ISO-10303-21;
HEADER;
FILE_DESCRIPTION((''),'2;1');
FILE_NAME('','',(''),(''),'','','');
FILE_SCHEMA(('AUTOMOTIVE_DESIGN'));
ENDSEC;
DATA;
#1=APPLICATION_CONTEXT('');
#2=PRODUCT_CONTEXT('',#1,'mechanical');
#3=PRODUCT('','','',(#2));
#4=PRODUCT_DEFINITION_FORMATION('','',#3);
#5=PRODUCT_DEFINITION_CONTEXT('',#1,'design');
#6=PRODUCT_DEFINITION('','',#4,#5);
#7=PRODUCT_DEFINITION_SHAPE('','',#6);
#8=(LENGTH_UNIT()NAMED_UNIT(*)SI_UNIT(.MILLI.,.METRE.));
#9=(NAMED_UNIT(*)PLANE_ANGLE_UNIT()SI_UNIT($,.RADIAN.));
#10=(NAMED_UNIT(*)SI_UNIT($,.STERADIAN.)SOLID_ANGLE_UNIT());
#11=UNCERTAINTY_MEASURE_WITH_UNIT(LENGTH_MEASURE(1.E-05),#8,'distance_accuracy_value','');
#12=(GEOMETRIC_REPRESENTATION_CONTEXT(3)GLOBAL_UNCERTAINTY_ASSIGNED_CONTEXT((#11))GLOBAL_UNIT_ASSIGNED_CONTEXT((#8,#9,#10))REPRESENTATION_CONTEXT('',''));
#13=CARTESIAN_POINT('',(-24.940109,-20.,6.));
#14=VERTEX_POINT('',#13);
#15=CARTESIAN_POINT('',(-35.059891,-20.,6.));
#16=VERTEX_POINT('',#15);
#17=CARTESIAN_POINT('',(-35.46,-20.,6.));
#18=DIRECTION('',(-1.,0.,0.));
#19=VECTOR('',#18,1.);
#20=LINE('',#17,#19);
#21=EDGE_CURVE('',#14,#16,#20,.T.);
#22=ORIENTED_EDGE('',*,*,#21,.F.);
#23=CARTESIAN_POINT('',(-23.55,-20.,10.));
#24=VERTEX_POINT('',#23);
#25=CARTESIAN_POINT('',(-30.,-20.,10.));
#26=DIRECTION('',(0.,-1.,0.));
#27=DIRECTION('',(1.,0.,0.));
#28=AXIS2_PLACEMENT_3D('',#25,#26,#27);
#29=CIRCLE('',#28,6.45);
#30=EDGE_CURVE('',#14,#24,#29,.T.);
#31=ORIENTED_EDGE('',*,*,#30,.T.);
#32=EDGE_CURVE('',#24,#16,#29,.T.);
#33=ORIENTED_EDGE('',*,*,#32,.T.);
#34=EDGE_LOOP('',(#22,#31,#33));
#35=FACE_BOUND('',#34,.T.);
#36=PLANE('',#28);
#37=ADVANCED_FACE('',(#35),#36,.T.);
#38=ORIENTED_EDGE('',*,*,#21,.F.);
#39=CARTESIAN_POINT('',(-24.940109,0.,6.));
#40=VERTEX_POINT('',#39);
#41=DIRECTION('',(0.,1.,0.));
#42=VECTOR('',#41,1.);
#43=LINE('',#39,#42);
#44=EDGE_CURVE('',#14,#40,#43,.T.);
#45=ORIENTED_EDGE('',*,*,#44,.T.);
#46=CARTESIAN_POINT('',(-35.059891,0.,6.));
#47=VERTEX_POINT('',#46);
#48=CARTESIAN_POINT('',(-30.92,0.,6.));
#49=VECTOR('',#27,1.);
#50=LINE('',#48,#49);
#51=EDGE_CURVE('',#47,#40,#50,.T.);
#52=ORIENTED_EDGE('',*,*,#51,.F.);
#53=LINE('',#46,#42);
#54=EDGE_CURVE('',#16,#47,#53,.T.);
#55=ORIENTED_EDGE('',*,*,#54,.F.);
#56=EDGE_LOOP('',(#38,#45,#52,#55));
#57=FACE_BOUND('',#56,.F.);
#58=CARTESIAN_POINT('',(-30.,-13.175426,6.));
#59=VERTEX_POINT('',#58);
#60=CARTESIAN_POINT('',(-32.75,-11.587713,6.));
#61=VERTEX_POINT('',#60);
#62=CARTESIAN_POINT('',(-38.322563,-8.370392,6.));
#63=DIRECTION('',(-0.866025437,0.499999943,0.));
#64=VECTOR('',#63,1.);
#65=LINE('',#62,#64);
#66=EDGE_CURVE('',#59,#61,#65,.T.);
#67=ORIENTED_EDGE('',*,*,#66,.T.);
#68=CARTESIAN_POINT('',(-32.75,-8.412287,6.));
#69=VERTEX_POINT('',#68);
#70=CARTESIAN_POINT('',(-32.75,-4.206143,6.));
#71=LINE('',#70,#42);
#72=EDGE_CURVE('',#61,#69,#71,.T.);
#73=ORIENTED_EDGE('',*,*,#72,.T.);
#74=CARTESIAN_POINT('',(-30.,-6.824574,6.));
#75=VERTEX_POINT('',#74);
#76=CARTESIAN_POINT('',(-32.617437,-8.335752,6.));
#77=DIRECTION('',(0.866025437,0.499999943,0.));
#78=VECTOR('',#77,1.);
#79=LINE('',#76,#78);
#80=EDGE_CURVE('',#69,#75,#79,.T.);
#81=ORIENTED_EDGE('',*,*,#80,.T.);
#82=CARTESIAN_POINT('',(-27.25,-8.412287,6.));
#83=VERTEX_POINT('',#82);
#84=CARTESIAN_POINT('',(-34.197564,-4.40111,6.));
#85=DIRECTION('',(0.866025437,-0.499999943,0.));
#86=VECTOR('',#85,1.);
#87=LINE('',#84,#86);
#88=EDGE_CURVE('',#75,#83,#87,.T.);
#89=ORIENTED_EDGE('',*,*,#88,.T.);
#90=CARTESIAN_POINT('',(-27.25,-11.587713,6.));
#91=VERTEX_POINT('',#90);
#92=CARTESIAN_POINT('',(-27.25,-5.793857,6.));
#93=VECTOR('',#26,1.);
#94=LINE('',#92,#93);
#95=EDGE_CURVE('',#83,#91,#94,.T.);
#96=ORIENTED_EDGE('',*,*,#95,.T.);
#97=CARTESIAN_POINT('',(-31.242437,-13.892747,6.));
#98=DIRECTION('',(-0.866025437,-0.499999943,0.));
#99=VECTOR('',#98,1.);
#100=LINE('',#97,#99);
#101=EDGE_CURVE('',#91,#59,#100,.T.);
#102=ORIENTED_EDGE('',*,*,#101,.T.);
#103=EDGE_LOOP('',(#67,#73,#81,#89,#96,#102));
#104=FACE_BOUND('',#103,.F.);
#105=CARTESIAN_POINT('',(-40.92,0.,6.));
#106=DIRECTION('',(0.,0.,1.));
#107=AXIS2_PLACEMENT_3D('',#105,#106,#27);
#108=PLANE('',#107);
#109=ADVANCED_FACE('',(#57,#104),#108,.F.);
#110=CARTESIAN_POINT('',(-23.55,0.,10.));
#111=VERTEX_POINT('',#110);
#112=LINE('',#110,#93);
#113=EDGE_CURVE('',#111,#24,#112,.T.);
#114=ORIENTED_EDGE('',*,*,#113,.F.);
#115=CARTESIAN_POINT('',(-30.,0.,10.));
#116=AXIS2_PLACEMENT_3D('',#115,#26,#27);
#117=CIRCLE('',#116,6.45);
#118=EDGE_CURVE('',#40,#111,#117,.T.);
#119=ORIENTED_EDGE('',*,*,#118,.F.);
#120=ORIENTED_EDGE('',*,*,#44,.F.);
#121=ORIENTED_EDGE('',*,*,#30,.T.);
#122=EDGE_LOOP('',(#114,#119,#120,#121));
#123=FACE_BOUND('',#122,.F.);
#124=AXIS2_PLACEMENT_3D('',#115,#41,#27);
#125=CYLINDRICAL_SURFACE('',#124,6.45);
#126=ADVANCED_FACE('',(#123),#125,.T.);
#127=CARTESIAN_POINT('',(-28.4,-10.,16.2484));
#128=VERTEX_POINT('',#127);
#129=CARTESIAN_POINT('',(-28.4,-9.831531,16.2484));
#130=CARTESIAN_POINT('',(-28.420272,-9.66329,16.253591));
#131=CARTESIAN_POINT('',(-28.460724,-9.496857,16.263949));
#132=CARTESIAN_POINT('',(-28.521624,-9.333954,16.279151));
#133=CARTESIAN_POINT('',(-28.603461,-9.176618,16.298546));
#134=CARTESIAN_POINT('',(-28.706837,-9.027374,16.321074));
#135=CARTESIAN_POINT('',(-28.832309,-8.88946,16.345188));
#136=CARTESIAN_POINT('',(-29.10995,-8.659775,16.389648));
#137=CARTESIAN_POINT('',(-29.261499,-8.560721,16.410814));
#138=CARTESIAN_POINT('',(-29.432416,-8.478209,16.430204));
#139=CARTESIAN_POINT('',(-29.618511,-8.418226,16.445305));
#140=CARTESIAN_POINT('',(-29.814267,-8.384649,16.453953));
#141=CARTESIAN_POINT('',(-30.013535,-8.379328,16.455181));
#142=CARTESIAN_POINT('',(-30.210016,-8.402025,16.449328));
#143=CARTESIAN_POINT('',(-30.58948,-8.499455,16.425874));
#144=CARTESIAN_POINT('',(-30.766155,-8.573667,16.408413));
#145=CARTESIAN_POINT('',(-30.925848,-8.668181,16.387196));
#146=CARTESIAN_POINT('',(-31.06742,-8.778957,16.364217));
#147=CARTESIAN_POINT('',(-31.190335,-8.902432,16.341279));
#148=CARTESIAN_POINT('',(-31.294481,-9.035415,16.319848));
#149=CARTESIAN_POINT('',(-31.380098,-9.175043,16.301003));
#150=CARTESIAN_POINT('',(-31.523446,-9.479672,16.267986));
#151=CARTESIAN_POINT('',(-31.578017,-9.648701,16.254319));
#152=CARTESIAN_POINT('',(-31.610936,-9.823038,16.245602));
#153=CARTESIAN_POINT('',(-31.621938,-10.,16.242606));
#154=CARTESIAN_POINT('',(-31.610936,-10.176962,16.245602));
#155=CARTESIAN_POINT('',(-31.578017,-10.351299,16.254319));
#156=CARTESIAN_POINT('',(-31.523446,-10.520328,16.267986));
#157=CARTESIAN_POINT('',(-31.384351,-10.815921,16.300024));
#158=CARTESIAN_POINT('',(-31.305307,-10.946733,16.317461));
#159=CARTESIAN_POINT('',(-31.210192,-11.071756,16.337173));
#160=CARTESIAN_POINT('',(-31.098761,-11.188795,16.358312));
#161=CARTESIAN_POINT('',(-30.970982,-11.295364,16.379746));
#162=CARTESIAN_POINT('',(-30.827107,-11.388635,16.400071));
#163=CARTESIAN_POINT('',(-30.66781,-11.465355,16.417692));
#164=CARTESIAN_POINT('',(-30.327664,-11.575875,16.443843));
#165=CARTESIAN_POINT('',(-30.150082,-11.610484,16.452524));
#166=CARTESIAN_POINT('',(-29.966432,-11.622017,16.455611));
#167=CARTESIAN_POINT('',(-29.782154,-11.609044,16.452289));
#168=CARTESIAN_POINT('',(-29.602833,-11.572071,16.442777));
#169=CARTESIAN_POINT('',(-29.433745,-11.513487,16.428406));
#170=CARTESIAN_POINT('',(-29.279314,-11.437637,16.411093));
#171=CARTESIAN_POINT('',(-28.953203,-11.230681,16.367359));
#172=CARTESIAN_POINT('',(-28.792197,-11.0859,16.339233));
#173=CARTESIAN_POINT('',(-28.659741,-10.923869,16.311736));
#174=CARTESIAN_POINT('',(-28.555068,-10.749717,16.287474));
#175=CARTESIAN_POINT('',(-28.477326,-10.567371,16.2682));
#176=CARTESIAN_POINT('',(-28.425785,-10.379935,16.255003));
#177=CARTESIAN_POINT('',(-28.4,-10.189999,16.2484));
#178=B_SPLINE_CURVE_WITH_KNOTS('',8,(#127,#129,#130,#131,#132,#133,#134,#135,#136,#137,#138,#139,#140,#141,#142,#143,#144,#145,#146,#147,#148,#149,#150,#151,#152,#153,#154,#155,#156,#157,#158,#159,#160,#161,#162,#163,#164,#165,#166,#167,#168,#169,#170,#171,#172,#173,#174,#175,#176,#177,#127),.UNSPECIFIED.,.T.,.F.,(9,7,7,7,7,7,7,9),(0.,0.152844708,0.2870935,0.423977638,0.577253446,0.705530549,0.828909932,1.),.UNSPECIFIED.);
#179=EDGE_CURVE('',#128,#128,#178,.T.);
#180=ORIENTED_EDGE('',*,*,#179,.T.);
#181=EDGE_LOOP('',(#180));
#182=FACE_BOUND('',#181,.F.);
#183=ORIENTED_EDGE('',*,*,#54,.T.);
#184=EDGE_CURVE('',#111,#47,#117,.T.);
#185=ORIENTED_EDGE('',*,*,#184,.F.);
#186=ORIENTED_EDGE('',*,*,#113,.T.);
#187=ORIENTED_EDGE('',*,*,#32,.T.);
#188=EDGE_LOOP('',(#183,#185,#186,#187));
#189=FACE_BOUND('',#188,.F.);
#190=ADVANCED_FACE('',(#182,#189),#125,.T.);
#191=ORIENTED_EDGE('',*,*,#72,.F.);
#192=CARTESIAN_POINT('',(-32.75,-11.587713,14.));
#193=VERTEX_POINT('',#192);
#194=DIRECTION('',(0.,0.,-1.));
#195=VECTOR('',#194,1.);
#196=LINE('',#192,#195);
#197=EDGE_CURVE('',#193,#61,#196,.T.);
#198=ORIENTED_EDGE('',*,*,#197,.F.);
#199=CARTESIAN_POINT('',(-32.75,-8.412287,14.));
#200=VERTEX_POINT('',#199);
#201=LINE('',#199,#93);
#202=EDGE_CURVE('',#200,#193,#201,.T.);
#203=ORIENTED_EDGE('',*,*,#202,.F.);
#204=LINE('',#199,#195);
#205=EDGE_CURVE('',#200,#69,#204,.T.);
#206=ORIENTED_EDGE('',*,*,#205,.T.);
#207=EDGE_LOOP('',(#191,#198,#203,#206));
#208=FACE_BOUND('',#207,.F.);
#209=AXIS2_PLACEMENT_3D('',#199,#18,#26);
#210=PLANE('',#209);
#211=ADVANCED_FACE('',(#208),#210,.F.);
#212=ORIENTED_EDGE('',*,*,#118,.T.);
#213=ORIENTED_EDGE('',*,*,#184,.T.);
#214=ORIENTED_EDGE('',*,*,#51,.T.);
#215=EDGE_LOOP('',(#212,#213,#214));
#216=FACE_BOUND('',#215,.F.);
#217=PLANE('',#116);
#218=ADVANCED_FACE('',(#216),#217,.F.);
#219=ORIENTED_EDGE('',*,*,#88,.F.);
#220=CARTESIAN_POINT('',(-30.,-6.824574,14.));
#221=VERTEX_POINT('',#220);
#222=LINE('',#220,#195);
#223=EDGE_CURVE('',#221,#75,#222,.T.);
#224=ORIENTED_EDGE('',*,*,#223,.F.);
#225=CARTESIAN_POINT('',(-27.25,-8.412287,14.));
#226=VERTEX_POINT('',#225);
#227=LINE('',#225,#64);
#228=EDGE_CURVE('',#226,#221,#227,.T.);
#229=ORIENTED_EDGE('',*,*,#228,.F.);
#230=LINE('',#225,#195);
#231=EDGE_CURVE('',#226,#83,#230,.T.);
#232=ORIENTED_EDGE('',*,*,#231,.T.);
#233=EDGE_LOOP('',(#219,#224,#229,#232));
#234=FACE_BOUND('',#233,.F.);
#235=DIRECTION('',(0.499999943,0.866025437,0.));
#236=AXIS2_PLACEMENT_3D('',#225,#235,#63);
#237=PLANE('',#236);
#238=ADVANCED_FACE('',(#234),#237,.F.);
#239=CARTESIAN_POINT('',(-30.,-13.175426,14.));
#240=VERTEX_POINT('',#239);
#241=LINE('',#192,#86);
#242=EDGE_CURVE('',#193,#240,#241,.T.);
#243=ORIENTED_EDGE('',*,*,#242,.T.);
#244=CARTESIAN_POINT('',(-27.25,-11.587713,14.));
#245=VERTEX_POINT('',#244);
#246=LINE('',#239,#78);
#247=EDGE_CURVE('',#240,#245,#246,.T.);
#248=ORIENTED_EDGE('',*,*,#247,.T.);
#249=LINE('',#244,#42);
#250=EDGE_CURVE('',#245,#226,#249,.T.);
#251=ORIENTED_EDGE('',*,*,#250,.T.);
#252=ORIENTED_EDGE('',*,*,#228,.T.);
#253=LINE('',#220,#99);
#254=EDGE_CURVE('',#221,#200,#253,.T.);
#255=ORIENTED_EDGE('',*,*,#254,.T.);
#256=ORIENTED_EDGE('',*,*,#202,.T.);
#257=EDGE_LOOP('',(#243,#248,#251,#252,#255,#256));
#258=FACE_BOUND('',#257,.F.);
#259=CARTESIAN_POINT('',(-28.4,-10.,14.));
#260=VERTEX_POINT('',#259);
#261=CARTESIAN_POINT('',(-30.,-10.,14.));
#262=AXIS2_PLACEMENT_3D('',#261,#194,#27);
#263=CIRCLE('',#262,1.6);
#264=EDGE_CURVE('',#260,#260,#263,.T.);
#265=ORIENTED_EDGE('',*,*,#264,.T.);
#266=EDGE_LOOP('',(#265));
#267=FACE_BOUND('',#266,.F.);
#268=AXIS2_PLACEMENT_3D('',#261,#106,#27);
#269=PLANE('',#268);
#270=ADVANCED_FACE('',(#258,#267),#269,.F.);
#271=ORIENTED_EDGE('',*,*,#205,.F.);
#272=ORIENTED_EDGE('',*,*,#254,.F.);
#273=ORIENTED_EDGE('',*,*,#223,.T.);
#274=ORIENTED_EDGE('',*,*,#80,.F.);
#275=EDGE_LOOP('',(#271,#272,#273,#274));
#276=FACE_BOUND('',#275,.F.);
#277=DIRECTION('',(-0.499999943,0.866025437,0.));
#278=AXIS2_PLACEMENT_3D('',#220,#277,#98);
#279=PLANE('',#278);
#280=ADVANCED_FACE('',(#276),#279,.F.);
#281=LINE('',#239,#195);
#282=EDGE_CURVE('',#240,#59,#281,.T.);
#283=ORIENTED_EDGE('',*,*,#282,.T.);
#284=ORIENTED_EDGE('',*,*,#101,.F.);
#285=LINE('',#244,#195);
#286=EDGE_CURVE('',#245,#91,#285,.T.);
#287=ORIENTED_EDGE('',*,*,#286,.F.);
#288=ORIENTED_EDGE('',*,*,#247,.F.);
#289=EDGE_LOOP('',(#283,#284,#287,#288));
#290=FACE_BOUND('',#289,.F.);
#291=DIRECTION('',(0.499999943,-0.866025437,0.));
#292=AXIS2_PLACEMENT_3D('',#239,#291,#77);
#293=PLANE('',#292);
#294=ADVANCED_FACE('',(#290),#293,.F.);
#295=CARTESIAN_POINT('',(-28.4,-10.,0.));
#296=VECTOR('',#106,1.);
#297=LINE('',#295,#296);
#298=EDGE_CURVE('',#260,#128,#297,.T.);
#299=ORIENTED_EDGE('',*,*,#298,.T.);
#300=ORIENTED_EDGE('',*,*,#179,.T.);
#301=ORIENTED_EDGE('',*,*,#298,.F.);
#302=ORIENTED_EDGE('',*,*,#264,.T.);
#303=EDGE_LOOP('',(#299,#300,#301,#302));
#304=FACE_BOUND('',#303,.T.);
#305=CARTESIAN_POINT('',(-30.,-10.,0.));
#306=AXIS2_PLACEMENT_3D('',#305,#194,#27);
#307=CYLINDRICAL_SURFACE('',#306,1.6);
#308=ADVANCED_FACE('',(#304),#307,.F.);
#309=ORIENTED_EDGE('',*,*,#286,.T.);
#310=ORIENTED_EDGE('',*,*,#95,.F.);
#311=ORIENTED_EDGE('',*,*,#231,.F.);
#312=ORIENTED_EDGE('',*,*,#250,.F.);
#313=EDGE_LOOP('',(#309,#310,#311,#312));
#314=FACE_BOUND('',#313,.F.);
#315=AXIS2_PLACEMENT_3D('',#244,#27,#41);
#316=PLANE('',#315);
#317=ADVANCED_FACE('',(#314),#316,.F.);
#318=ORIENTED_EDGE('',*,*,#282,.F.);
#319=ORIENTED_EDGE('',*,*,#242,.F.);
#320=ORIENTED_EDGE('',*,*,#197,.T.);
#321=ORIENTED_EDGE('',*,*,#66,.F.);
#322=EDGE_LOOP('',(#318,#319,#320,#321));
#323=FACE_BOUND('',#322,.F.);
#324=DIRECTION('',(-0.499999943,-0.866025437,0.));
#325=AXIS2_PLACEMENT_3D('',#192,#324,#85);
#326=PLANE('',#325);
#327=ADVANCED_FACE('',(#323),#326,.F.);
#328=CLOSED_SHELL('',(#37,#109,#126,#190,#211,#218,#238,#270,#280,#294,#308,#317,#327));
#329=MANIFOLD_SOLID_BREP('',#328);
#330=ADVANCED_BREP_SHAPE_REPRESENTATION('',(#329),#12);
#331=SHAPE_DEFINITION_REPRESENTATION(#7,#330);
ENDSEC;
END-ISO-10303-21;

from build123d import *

# Parameters (mm, degrees)
SKETCH009_R     = 6.45
PAD004_DEPTH    = 20
SKETCH010_R     = 1.6
POCKET005_DEPTH = 20
POCKET006_DEPTH = 10
SKETCH012_W     = 20
SKETCH012_H     = 6
POCKET007_DEPTH = 21


with BuildPart() as part:
    # Sketch009 → Pad004 (new body)
    with BuildSketch(Plane.XZ):
        with Locations((-30, 10)):
            Circle(SKETCH009_R)
    extrude(amount=PAD004_DEPTH)

    # Sketch010 → Pocket005 (cut)
    with BuildSketch(Plane.XY):
        with Locations((-30, -10)):
            Circle(SKETCH010_R)
    extrude(amount=POCKET005_DEPTH, mode=Mode.SUBTRACT)

    # Sketch011 → Pocket006 (cut)
    with BuildSketch(Plane.XY.offset(14)):
        Polygon((-27.25, -8.412287), (-30, -6.824574), (-32.75, -8.412287), (-32.75, -11.587713), (-30, -13.175426), (-27.25, -11.587713), align=None)
    extrude(amount=-POCKET006_DEPTH, mode=Mode.SUBTRACT)

    # Sketch012 → Pocket007 (cut)
    with BuildSketch(Plane.XZ):
        with Locations((-30.92, 3)):
            Rectangle(SKETCH012_W, SKETCH012_H)
    extrude(amount=POCKET007_DEPTH, mode=Mode.SUBTRACT)


solid = part.part
